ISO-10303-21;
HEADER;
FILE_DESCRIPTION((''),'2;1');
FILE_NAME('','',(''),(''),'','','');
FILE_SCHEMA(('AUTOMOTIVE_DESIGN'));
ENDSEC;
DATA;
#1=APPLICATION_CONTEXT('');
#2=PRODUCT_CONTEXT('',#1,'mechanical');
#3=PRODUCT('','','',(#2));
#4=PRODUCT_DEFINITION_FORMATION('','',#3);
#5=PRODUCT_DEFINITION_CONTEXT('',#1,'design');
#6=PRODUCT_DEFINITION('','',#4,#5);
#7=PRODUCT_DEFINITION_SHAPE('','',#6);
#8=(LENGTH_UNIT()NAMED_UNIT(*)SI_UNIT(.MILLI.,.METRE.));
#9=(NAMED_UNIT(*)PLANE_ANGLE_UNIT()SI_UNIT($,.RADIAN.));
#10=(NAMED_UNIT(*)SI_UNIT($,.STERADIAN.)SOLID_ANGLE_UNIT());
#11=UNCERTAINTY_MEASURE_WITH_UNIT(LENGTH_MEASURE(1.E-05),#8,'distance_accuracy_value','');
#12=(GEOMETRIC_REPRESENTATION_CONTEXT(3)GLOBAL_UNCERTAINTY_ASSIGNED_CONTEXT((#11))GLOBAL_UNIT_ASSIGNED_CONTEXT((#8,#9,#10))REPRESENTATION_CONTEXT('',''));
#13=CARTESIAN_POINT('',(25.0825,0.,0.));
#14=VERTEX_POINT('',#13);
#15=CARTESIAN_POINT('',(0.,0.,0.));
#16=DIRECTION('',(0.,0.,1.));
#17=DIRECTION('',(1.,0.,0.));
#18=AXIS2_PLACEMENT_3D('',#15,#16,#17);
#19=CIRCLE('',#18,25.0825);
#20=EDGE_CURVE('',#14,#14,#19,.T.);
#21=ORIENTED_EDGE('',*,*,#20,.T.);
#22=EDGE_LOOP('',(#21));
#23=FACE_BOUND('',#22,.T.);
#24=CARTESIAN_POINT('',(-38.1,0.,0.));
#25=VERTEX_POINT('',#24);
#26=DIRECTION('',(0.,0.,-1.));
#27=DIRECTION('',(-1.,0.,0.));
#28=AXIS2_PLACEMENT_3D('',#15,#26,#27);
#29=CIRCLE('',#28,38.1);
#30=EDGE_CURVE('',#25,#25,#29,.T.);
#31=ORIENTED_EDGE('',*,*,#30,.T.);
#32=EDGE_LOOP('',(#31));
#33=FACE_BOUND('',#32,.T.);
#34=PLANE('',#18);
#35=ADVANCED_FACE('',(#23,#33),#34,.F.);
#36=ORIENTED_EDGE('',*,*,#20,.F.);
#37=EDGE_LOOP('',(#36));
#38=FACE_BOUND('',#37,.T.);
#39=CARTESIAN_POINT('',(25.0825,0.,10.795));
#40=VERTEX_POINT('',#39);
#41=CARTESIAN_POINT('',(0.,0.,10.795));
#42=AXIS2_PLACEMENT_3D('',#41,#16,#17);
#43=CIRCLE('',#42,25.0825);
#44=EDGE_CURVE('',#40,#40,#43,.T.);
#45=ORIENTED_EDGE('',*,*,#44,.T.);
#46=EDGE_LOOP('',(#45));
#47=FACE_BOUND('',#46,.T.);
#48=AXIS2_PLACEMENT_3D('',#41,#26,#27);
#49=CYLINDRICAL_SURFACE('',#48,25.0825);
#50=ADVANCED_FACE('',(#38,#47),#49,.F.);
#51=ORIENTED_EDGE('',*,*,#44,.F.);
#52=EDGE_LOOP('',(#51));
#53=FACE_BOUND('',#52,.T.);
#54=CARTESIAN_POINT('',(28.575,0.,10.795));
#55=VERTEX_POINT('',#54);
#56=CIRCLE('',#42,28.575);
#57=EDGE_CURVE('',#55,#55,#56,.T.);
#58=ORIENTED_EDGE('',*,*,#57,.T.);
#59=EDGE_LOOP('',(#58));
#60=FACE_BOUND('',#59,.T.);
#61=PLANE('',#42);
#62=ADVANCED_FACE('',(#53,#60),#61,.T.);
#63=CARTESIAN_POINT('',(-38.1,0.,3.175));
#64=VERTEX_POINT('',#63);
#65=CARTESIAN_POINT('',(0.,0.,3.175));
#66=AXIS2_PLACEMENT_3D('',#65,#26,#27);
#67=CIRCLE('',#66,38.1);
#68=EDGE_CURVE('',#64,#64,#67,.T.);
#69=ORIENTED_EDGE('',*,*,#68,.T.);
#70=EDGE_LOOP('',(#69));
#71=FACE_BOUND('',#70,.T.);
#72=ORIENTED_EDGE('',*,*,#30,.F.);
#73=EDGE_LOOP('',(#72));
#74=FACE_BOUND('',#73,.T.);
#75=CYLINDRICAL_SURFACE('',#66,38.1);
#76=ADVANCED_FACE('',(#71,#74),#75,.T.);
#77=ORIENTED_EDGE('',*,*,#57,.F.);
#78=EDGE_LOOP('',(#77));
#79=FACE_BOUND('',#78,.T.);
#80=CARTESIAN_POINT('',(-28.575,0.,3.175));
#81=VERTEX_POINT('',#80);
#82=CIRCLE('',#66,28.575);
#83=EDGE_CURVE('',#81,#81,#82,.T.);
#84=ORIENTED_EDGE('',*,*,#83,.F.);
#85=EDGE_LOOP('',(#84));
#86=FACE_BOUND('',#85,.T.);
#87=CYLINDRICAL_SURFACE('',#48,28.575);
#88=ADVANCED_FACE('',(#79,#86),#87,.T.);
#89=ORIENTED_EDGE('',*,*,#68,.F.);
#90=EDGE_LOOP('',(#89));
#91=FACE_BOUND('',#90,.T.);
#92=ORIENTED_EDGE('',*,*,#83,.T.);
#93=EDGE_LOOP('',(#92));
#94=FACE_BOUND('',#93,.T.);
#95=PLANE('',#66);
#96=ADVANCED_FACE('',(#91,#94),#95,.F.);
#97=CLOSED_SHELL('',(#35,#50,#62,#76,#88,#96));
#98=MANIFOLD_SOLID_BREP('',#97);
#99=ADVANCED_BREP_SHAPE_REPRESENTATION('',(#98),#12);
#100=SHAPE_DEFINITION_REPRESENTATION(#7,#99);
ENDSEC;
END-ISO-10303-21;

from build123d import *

# Parameters (mm, degrees)
SKETCH1_R           = 28.575
SKETCH1_R_2         = 25.0825
BOSS_EXTRUDE1_DEPTH = 10.795
SKETCH2_R           = 38.1
SKETCH2_R_2         = 28.575
BOSS_EXTRUDE2_DEPTH = 3.175


with BuildPart() as part:
    # Sketch1 → Boss-Extrude1 (new body)
    with BuildSketch(Plane.XY):
        Circle(SKETCH1_R)
        Circle(SKETCH1_R_2, mode=Mode.SUBTRACT)
    extrude(amount=BOSS_EXTRUDE1_DEPTH)

    # Sketch2 → Boss-Extrude2 (add)
    with BuildSketch(Plane(origin=(0, 0, 0), x_dir=(-1, 0, 0), z_dir=(0, 0, -1))):
        Circle(SKETCH2_R)
        Circle(SKETCH2_R_2, mode=Mode.SUBTRACT)
    extrude(amount=-BOSS_EXTRUDE2_DEPTH)


solid = part.part
